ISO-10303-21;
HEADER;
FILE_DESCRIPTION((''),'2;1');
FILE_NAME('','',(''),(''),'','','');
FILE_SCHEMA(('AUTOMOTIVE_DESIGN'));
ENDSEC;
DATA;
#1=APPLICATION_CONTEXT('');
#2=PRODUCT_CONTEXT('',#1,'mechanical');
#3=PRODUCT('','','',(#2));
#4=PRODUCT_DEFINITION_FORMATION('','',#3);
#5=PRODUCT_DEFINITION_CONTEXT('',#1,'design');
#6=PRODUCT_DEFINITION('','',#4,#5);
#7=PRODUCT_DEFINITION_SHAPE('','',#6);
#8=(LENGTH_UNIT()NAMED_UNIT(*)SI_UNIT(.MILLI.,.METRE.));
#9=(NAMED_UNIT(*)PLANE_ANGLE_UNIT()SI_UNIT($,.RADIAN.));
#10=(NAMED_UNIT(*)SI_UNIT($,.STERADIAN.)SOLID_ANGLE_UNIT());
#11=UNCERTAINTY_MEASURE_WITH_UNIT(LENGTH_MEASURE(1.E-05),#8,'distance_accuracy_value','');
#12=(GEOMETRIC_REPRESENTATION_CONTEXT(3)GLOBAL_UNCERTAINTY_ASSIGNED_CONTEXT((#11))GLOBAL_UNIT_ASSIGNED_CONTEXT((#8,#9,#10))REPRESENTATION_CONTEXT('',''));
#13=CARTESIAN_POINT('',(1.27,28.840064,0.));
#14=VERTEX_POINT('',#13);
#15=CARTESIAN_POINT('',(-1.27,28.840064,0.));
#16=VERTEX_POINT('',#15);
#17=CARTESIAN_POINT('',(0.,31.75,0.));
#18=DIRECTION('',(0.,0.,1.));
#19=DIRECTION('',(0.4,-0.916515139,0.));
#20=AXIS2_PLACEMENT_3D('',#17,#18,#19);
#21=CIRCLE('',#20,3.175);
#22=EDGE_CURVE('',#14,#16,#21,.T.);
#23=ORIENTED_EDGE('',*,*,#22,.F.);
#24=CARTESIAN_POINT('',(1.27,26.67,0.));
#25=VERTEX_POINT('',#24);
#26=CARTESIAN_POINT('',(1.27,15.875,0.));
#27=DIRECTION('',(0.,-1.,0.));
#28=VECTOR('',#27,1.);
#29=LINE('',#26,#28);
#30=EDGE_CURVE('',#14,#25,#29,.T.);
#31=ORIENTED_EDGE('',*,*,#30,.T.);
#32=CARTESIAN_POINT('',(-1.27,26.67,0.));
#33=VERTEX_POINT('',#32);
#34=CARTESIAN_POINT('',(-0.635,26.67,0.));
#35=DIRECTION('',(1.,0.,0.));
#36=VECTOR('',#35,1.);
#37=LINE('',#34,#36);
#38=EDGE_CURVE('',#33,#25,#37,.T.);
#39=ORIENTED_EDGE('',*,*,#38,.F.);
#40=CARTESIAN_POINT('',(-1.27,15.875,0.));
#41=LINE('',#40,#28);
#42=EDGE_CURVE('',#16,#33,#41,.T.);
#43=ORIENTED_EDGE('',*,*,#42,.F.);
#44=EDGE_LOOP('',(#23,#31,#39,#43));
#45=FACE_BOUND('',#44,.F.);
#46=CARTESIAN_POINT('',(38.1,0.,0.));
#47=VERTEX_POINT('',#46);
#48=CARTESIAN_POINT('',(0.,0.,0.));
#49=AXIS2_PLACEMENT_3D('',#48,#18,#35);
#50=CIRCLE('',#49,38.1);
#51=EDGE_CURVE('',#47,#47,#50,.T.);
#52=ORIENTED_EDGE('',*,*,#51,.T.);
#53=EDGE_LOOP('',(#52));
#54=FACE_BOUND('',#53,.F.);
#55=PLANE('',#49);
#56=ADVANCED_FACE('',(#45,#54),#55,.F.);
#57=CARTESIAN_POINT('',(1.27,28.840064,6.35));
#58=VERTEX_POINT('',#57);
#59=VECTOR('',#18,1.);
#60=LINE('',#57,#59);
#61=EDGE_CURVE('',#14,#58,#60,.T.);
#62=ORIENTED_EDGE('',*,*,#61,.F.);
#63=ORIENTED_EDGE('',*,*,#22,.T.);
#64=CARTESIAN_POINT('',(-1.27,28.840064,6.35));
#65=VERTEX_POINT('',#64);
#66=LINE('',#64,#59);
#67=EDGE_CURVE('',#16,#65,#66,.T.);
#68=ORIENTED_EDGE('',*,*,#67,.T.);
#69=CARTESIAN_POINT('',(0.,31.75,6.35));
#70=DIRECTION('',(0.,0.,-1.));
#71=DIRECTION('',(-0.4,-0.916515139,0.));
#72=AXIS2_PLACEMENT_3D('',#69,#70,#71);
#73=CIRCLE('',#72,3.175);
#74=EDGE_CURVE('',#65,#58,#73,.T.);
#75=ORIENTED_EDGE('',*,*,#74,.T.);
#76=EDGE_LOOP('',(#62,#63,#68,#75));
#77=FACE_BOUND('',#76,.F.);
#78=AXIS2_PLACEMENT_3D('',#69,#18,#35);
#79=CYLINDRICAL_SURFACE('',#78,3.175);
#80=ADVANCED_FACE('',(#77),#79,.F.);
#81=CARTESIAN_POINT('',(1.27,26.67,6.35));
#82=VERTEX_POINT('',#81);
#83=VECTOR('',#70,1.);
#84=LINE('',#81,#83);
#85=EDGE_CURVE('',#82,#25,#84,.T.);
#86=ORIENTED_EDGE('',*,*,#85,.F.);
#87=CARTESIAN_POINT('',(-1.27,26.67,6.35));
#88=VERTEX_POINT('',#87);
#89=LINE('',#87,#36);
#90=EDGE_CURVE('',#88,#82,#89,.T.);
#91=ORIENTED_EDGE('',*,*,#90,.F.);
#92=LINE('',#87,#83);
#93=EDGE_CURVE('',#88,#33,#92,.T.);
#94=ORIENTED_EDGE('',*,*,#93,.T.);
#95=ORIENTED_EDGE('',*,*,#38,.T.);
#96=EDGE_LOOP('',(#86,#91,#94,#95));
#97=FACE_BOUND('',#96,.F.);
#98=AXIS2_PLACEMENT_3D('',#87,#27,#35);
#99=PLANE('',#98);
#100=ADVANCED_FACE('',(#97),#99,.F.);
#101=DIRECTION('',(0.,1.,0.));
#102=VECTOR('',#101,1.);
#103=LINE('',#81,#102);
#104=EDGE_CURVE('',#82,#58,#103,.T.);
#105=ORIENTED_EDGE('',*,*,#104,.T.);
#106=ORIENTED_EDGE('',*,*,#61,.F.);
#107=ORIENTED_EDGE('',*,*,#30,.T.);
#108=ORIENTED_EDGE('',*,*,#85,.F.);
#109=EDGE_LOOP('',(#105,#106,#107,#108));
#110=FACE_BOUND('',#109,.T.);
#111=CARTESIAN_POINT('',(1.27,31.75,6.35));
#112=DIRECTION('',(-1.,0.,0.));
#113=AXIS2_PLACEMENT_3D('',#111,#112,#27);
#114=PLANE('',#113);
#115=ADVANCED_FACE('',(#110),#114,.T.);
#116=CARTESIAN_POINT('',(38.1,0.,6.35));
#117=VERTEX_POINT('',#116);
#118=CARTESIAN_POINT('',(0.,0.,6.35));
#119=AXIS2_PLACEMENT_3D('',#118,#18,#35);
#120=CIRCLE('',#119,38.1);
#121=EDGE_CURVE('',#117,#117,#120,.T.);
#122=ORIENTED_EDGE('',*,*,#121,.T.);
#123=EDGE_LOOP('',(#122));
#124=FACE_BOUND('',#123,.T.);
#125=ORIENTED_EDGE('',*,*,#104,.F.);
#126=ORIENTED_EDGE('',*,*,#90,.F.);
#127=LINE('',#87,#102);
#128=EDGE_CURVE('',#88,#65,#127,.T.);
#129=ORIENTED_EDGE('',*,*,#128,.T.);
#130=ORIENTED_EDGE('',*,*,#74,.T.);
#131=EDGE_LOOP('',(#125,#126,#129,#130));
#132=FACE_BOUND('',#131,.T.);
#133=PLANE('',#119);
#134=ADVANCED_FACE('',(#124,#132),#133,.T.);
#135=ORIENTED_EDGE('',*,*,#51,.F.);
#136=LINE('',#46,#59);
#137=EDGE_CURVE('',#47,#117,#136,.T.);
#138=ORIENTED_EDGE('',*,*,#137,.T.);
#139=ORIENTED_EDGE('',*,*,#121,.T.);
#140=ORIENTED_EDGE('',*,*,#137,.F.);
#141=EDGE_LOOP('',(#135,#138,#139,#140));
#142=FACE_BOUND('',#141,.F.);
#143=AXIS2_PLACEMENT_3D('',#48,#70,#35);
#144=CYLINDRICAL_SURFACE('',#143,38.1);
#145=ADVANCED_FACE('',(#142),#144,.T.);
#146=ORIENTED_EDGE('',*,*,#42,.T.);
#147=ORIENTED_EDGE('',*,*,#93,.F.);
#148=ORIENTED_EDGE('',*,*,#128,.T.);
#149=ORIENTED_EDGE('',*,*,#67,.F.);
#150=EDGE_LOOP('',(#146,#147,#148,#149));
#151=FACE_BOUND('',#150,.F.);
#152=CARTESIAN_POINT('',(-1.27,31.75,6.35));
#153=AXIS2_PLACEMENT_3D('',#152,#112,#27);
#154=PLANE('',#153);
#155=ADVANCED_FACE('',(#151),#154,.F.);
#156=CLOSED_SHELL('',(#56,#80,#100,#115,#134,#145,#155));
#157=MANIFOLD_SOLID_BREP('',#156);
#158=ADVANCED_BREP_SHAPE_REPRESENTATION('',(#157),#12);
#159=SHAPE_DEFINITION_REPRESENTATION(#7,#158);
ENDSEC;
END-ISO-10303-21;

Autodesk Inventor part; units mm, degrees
ref_plane "YZ Plane" through (0, 0, 0) normal (1, 0, 0) x (0, 1, 0)
ref_plane "XZ Plane" through (0, 0, 0) normal (0, 1, 0) x (-1, 0, 0)
ref_plane "XY Plane" through (0, 0, 0) normal (0, 0, 1) x (1, 0, 0)
sketch "Sketch1" plane through (0, 0, 0) normal (0, 0, 1) x (1, 0, 0)
  circle A0 centre (0, 0) radius 38.1
  dimension "d0" = 76.2
extrude "Extrusion1" add sketch "Sketch1" along normal blind 6.35
sketch "Sketch2" plane through (0, 0, 6.35) normal (0, 0, 1) x (1, 0, 0)
  circle A0 centre (0, 0) radius 38.1 projected
  circle A1 centre (0, 31.75) radius 3.175
  dimension "d3" = 6.35
  dimension "d6" = 31.75
extrude "Extrusion2" cut sketch "Sketch2" against normal through all contours A1
sketch "Sketch3" plane through (0, 0, 6.35) normal (0, 0, 1) x (1, 0, 0)
  circle A0 centre (0, 31.75) radius 3.175 projected
  line L0 (0, 31.75) -> (1.27, 31.75)
  line L1 (1.27, 31.75) -> (1.27, 26.67)
  line L2 (1.27, 26.67) -> (0, 26.67)
  line L3 (0, 26.67) -> (0, 31.75)
  line L4 (0, 31.75) -> (-1.27, 31.75)
  line L5 (-1.27, 31.75) -> (-1.27, 26.67)
  line L6 (-1.27, 26.67) -> (0, 26.67)
  line L7 (0, 26.67) -> (0, 31.75)
  dimension "d9" = 1.27
  dimension "d10" = 5.08
extrude "Extrusion3" cut sketch "Sketch3" against normal through all contours L5 L4 L3 A0 | A0 L3 L6 L5 | L1 L2 L3 A0 | A0 L3 L0 L1
properties part number "Circular Pattern"
